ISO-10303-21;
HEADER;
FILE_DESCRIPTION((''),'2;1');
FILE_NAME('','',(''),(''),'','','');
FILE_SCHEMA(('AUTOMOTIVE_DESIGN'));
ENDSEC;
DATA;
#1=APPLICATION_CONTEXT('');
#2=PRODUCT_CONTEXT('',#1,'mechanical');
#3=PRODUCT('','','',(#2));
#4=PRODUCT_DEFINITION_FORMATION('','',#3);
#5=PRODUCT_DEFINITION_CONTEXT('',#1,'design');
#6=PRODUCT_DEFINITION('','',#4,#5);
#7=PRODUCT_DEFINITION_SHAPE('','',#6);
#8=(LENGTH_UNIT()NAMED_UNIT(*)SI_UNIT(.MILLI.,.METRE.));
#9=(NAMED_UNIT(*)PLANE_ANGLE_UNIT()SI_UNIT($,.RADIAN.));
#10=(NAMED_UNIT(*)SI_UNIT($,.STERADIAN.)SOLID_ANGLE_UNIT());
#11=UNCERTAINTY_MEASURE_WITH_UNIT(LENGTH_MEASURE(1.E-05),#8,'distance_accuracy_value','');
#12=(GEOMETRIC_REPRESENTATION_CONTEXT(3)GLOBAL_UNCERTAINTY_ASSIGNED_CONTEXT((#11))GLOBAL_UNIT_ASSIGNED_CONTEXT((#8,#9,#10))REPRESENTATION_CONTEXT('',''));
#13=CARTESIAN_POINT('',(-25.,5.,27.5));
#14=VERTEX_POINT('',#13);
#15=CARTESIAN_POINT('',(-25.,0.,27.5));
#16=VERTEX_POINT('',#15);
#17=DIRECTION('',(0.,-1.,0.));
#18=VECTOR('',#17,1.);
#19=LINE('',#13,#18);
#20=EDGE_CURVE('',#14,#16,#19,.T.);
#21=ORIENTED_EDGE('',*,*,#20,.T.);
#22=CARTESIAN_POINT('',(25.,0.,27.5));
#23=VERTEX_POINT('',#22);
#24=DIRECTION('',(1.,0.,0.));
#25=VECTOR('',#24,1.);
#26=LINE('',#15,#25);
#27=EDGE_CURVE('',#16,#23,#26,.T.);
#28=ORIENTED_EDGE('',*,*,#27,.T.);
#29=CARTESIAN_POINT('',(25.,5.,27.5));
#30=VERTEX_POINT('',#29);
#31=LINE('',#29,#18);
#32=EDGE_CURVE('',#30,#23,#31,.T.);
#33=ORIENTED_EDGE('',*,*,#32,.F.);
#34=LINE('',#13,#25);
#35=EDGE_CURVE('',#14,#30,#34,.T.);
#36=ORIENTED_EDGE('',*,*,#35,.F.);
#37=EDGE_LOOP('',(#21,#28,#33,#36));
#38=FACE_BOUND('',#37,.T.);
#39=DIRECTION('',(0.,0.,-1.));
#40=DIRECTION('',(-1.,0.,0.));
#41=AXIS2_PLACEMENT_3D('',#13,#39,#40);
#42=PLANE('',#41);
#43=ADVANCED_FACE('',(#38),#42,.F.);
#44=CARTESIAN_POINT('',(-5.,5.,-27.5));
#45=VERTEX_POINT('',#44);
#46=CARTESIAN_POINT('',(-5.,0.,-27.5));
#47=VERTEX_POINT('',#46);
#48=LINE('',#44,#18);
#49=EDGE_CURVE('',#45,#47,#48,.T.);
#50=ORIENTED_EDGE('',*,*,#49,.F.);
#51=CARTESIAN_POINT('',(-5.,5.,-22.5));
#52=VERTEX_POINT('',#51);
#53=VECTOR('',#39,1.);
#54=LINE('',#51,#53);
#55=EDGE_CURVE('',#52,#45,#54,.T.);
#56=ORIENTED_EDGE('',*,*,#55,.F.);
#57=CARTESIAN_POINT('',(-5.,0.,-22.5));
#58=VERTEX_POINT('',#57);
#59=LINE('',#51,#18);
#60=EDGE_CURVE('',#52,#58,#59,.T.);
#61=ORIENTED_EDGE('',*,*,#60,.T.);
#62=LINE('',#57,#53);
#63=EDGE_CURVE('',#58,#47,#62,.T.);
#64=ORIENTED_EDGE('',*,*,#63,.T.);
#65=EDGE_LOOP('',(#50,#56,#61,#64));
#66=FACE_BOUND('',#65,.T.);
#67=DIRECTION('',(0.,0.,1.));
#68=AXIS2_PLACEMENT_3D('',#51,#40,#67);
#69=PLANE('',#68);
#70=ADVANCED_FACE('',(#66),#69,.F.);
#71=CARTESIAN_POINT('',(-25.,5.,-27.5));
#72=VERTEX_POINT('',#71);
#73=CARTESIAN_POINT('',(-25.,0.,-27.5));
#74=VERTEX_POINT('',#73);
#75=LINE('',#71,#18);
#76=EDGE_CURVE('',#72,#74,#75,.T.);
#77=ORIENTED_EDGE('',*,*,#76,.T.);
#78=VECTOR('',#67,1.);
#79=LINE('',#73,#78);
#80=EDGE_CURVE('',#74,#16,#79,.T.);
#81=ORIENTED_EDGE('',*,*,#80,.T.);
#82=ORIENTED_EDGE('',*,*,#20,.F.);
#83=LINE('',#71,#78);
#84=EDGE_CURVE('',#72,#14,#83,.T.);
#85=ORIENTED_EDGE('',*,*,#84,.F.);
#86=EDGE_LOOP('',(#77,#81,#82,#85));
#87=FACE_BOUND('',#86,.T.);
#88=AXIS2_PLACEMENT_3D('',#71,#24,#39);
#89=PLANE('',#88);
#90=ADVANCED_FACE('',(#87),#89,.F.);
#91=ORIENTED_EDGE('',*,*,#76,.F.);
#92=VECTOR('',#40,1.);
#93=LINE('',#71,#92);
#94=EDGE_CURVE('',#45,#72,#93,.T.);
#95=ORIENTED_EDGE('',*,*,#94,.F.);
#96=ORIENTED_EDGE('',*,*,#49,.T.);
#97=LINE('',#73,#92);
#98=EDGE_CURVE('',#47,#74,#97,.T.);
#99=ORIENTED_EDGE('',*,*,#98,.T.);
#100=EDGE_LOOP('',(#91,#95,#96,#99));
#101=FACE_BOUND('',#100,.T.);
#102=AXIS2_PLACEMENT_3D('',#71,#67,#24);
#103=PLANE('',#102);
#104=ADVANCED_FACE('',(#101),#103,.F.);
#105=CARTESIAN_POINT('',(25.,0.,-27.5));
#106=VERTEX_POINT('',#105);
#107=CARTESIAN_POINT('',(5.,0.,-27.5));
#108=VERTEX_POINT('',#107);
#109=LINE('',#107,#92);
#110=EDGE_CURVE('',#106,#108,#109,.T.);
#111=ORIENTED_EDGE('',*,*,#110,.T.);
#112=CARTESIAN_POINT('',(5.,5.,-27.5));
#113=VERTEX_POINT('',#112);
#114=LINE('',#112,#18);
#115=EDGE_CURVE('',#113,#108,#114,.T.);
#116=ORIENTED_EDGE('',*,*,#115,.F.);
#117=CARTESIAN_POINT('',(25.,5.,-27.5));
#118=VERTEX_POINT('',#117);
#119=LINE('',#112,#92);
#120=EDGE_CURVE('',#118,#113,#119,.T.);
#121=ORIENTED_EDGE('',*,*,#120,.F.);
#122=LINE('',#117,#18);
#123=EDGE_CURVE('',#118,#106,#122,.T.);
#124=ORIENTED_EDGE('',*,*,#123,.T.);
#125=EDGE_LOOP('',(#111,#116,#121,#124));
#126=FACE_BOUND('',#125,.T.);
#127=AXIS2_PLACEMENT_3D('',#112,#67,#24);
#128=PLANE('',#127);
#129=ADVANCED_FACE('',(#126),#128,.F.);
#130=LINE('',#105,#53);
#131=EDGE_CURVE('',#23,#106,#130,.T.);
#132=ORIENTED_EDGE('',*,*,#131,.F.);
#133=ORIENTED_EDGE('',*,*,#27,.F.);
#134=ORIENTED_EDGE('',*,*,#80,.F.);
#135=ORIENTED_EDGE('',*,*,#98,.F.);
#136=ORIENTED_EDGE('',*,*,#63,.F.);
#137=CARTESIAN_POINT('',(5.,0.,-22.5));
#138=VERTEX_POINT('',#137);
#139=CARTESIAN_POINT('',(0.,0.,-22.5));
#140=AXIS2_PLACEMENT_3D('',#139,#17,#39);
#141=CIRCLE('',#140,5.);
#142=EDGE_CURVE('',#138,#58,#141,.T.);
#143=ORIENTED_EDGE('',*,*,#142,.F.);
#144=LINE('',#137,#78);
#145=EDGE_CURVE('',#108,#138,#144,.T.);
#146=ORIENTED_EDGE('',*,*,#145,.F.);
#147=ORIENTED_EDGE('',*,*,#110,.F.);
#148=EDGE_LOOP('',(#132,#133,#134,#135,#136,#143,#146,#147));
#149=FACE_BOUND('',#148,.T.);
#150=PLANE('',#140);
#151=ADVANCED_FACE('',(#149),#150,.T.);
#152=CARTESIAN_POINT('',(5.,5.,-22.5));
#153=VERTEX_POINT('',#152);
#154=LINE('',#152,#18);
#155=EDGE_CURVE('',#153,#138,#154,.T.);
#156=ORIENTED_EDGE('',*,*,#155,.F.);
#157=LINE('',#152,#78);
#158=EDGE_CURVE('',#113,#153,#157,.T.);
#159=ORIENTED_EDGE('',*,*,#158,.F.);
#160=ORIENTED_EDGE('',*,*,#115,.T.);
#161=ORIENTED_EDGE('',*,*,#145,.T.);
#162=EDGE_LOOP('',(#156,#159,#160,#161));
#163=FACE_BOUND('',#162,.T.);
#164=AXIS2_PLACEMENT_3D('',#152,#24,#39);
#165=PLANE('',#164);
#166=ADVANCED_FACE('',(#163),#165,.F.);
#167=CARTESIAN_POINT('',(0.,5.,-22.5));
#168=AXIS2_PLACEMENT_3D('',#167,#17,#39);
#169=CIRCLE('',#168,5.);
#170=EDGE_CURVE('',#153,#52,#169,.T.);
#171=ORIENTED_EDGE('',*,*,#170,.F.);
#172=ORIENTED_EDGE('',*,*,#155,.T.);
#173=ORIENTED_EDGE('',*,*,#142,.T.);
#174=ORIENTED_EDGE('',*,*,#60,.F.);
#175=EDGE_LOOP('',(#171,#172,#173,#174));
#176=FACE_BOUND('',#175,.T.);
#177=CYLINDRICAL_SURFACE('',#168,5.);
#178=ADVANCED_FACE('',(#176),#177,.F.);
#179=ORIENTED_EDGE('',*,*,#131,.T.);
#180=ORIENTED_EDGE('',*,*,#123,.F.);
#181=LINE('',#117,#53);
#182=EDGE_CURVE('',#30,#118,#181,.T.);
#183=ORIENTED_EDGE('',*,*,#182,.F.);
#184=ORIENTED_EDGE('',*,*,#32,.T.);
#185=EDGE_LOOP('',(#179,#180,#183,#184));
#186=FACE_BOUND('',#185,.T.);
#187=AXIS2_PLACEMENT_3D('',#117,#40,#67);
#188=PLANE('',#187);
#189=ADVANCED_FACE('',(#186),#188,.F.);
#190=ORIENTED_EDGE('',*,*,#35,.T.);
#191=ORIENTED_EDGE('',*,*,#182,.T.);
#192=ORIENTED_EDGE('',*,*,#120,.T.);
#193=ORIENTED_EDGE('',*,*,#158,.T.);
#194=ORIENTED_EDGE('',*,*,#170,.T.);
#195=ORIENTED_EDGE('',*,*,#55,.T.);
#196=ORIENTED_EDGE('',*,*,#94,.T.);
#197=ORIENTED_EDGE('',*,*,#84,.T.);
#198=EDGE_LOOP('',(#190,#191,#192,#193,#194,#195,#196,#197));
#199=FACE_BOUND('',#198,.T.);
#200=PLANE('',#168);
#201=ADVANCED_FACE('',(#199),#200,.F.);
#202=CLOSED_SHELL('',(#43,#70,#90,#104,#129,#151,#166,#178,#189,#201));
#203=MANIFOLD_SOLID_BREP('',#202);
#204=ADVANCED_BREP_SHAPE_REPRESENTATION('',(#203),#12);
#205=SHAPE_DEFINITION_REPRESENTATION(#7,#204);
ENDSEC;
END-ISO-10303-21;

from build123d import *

# Parameters (mm, degrees)
BOSS_EXTRUDE5_DEPTH = 5


with BuildPart() as part:
    # Sketch2 → Boss-Extrude5 (new body)
    with BuildSketch(Plane(origin=(0, 0, 0), x_dir=(1, 0, 0), z_dir=(0, 1, 0))):
        with BuildLine():
            Line((-25, 27.5), (-5, 27.5))
            Line((-5, 27.5), (-5, 22.5))
            ThreePointArc((-5, 22.5), (0, 17.5), (5, 22.5))
            Line((5, 22.5), (5, 27.5))
            Line((5, 27.5), (25, 27.5))
            Line((25, 27.5), (25, -27.5))
            Line((25, -27.5), (-25, -27.5))
            Line((-25, -27.5), (-25, 27.5))
        make_face()
    extrude(amount=BOSS_EXTRUDE5_DEPTH)


solid = part.part
